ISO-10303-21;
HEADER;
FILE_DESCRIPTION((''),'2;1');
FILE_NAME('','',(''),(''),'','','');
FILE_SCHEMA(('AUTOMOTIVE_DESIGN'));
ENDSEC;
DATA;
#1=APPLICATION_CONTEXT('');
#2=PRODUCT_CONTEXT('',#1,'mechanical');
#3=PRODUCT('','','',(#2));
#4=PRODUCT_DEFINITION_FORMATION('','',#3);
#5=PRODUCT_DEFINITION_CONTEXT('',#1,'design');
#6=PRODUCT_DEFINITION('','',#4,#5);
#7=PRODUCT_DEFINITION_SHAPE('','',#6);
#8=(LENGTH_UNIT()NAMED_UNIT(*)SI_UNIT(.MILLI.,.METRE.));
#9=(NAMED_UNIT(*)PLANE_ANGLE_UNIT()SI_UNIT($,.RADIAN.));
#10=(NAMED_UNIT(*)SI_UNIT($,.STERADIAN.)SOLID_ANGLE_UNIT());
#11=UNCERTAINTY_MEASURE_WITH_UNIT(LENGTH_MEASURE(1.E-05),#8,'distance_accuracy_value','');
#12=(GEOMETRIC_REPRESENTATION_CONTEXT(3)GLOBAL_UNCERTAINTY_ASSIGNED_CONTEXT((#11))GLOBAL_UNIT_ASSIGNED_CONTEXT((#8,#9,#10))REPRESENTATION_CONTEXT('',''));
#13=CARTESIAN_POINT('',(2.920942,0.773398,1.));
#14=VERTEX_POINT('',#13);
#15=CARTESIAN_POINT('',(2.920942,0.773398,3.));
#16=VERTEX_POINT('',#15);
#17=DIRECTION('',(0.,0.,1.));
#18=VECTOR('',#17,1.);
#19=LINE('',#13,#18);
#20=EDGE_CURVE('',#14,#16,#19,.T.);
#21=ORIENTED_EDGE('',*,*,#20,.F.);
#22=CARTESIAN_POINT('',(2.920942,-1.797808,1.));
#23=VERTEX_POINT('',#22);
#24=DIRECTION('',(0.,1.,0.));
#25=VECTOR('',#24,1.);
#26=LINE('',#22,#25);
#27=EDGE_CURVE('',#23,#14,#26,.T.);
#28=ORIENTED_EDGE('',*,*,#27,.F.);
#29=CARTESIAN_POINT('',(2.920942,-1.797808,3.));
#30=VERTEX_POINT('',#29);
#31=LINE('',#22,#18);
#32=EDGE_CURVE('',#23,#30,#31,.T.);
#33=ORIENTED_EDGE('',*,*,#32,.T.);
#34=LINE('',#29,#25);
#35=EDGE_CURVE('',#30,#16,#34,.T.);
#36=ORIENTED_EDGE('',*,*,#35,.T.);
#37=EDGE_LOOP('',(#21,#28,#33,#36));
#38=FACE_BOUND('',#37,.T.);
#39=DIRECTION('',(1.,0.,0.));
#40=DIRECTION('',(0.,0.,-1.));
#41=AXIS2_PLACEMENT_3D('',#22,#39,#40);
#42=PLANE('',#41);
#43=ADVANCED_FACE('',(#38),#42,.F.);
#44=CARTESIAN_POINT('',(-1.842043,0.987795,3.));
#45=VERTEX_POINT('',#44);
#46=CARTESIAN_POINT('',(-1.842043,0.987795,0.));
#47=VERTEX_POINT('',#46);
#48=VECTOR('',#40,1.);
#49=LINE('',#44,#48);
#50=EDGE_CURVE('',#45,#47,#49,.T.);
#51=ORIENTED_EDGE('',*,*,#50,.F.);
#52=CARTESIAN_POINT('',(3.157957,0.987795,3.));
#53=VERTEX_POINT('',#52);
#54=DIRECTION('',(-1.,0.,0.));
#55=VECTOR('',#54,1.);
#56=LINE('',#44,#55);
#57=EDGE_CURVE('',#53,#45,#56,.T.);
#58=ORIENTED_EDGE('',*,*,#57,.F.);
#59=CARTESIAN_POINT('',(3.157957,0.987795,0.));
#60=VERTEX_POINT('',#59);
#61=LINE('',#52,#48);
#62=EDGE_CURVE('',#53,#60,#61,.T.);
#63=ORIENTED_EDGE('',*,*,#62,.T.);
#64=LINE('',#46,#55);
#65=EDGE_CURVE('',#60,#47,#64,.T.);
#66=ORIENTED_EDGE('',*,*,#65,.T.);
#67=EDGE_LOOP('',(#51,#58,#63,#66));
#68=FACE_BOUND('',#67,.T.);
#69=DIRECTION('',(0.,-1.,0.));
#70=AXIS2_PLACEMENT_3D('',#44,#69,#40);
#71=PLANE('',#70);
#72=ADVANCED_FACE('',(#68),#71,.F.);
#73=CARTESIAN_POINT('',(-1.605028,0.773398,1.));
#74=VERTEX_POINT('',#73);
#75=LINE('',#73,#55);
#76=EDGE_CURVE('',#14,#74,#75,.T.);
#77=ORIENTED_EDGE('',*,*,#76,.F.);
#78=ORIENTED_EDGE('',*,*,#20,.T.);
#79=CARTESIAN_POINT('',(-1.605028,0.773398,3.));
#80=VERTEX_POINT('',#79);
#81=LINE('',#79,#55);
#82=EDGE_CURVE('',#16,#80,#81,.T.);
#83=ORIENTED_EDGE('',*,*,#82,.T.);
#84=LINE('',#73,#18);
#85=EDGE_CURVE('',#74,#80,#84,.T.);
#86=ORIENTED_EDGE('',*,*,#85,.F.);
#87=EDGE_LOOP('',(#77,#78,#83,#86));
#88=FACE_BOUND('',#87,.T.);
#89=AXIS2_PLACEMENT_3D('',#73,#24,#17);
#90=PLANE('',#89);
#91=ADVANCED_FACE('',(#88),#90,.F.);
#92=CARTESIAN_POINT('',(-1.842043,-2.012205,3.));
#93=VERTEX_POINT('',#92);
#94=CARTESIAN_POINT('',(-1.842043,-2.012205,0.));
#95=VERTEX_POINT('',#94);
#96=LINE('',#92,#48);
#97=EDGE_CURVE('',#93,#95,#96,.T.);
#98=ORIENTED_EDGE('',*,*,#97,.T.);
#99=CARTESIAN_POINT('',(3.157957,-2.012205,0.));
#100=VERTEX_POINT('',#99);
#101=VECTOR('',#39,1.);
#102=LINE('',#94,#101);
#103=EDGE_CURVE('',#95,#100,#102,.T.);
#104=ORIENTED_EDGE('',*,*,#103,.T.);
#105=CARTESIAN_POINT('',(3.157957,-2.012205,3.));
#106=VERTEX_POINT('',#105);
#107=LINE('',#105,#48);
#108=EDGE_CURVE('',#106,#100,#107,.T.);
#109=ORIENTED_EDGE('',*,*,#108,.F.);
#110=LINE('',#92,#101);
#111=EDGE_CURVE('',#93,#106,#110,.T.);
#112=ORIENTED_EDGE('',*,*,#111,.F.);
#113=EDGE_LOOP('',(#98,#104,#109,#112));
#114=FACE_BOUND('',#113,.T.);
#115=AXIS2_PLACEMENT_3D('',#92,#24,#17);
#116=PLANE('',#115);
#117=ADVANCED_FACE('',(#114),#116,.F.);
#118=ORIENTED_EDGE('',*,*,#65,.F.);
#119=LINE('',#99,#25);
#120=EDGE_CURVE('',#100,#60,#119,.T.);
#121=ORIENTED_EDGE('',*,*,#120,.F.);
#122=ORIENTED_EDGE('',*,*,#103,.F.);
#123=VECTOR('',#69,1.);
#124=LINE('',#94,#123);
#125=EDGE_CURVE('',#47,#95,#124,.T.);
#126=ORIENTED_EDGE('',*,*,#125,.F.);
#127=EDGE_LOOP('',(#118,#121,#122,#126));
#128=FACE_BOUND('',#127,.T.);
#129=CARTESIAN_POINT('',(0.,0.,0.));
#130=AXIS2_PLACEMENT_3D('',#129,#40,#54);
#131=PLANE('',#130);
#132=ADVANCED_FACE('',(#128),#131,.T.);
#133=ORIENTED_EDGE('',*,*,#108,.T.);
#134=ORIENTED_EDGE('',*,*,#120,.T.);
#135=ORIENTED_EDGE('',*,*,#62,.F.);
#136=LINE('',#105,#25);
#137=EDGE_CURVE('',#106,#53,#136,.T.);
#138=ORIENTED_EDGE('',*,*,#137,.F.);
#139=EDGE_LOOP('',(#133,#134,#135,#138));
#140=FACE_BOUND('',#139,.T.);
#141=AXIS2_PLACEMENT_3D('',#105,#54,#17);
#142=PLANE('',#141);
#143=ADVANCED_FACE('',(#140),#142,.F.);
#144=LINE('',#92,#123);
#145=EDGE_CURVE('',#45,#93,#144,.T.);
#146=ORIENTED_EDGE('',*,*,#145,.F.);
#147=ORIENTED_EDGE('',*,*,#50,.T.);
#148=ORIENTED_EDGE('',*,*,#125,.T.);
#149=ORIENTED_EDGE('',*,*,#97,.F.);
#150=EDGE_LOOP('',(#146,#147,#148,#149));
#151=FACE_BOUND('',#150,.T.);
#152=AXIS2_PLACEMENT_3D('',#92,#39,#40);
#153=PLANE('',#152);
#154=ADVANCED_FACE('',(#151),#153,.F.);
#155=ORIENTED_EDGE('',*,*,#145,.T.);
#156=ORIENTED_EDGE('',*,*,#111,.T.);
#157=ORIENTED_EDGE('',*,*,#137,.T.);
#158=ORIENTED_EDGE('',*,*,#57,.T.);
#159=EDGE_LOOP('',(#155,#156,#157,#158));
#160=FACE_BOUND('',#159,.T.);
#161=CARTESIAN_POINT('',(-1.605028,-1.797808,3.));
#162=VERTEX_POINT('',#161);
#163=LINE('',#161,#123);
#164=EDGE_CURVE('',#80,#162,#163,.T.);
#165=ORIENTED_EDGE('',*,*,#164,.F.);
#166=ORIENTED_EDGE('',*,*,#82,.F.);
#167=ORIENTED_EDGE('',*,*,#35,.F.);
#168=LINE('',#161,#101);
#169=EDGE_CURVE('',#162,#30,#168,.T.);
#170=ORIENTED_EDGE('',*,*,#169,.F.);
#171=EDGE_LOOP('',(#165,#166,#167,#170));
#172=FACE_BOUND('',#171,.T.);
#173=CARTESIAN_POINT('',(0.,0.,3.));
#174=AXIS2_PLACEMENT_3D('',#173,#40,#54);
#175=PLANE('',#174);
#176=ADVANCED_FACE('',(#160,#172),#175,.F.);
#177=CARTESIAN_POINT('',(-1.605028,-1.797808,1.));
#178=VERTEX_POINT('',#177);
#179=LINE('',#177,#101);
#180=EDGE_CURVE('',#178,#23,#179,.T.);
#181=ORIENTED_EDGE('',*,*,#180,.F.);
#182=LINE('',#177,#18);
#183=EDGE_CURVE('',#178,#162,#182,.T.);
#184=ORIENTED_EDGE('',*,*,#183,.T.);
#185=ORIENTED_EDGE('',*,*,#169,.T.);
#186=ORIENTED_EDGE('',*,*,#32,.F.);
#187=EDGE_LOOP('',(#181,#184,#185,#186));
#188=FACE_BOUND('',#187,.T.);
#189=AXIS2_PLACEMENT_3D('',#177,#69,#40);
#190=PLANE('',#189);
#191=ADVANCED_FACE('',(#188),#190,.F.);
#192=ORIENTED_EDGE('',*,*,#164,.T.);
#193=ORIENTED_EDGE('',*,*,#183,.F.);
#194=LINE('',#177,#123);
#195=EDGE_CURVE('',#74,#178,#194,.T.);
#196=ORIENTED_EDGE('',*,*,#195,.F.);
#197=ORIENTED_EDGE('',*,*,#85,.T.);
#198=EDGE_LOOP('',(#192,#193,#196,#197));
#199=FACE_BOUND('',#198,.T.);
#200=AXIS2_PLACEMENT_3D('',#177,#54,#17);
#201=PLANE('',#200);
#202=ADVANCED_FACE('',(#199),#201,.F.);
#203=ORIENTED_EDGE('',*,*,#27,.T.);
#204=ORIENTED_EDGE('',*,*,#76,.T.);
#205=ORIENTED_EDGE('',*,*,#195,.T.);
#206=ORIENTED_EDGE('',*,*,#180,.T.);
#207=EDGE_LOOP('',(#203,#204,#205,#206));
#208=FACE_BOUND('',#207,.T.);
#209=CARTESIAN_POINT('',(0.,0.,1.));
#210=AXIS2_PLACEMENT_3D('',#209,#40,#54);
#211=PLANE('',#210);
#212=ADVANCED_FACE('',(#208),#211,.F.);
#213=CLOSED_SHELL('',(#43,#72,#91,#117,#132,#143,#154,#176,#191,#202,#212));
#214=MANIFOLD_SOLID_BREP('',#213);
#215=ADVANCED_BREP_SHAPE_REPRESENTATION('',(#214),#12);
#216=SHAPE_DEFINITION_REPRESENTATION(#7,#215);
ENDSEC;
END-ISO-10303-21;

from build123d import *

# Parameters (mm, degrees)
SKETCH1_W           = 5
SKETCH1_H           = 3
BOSS_EXTRUDE1_DEPTH = 3
SKETCH3_W           = 4.52597082
SKETCH3_H           = 2.571205645
CUT_EXTRUDE1_DEPTH  = 2


with BuildPart() as part:
    # Sketch1 → Boss-Extrude1 (new body)
    with BuildSketch(Plane.XY):
        with Locations((0.65795708, -0.512205152)):
            Rectangle(SKETCH1_W, SKETCH1_H)
    extrude(amount=BOSS_EXTRUDE1_DEPTH)

    # Sketch3 → Cut-Extrude1 (cut)
    with BuildSketch(Plane.XY.offset(3)):
        with Locations((0.65795708, -0.512205152)):
            Rectangle(SKETCH3_W, SKETCH3_H)
    extrude(amount=-CUT_EXTRUDE1_DEPTH, mode=Mode.SUBTRACT)


solid = part.part
